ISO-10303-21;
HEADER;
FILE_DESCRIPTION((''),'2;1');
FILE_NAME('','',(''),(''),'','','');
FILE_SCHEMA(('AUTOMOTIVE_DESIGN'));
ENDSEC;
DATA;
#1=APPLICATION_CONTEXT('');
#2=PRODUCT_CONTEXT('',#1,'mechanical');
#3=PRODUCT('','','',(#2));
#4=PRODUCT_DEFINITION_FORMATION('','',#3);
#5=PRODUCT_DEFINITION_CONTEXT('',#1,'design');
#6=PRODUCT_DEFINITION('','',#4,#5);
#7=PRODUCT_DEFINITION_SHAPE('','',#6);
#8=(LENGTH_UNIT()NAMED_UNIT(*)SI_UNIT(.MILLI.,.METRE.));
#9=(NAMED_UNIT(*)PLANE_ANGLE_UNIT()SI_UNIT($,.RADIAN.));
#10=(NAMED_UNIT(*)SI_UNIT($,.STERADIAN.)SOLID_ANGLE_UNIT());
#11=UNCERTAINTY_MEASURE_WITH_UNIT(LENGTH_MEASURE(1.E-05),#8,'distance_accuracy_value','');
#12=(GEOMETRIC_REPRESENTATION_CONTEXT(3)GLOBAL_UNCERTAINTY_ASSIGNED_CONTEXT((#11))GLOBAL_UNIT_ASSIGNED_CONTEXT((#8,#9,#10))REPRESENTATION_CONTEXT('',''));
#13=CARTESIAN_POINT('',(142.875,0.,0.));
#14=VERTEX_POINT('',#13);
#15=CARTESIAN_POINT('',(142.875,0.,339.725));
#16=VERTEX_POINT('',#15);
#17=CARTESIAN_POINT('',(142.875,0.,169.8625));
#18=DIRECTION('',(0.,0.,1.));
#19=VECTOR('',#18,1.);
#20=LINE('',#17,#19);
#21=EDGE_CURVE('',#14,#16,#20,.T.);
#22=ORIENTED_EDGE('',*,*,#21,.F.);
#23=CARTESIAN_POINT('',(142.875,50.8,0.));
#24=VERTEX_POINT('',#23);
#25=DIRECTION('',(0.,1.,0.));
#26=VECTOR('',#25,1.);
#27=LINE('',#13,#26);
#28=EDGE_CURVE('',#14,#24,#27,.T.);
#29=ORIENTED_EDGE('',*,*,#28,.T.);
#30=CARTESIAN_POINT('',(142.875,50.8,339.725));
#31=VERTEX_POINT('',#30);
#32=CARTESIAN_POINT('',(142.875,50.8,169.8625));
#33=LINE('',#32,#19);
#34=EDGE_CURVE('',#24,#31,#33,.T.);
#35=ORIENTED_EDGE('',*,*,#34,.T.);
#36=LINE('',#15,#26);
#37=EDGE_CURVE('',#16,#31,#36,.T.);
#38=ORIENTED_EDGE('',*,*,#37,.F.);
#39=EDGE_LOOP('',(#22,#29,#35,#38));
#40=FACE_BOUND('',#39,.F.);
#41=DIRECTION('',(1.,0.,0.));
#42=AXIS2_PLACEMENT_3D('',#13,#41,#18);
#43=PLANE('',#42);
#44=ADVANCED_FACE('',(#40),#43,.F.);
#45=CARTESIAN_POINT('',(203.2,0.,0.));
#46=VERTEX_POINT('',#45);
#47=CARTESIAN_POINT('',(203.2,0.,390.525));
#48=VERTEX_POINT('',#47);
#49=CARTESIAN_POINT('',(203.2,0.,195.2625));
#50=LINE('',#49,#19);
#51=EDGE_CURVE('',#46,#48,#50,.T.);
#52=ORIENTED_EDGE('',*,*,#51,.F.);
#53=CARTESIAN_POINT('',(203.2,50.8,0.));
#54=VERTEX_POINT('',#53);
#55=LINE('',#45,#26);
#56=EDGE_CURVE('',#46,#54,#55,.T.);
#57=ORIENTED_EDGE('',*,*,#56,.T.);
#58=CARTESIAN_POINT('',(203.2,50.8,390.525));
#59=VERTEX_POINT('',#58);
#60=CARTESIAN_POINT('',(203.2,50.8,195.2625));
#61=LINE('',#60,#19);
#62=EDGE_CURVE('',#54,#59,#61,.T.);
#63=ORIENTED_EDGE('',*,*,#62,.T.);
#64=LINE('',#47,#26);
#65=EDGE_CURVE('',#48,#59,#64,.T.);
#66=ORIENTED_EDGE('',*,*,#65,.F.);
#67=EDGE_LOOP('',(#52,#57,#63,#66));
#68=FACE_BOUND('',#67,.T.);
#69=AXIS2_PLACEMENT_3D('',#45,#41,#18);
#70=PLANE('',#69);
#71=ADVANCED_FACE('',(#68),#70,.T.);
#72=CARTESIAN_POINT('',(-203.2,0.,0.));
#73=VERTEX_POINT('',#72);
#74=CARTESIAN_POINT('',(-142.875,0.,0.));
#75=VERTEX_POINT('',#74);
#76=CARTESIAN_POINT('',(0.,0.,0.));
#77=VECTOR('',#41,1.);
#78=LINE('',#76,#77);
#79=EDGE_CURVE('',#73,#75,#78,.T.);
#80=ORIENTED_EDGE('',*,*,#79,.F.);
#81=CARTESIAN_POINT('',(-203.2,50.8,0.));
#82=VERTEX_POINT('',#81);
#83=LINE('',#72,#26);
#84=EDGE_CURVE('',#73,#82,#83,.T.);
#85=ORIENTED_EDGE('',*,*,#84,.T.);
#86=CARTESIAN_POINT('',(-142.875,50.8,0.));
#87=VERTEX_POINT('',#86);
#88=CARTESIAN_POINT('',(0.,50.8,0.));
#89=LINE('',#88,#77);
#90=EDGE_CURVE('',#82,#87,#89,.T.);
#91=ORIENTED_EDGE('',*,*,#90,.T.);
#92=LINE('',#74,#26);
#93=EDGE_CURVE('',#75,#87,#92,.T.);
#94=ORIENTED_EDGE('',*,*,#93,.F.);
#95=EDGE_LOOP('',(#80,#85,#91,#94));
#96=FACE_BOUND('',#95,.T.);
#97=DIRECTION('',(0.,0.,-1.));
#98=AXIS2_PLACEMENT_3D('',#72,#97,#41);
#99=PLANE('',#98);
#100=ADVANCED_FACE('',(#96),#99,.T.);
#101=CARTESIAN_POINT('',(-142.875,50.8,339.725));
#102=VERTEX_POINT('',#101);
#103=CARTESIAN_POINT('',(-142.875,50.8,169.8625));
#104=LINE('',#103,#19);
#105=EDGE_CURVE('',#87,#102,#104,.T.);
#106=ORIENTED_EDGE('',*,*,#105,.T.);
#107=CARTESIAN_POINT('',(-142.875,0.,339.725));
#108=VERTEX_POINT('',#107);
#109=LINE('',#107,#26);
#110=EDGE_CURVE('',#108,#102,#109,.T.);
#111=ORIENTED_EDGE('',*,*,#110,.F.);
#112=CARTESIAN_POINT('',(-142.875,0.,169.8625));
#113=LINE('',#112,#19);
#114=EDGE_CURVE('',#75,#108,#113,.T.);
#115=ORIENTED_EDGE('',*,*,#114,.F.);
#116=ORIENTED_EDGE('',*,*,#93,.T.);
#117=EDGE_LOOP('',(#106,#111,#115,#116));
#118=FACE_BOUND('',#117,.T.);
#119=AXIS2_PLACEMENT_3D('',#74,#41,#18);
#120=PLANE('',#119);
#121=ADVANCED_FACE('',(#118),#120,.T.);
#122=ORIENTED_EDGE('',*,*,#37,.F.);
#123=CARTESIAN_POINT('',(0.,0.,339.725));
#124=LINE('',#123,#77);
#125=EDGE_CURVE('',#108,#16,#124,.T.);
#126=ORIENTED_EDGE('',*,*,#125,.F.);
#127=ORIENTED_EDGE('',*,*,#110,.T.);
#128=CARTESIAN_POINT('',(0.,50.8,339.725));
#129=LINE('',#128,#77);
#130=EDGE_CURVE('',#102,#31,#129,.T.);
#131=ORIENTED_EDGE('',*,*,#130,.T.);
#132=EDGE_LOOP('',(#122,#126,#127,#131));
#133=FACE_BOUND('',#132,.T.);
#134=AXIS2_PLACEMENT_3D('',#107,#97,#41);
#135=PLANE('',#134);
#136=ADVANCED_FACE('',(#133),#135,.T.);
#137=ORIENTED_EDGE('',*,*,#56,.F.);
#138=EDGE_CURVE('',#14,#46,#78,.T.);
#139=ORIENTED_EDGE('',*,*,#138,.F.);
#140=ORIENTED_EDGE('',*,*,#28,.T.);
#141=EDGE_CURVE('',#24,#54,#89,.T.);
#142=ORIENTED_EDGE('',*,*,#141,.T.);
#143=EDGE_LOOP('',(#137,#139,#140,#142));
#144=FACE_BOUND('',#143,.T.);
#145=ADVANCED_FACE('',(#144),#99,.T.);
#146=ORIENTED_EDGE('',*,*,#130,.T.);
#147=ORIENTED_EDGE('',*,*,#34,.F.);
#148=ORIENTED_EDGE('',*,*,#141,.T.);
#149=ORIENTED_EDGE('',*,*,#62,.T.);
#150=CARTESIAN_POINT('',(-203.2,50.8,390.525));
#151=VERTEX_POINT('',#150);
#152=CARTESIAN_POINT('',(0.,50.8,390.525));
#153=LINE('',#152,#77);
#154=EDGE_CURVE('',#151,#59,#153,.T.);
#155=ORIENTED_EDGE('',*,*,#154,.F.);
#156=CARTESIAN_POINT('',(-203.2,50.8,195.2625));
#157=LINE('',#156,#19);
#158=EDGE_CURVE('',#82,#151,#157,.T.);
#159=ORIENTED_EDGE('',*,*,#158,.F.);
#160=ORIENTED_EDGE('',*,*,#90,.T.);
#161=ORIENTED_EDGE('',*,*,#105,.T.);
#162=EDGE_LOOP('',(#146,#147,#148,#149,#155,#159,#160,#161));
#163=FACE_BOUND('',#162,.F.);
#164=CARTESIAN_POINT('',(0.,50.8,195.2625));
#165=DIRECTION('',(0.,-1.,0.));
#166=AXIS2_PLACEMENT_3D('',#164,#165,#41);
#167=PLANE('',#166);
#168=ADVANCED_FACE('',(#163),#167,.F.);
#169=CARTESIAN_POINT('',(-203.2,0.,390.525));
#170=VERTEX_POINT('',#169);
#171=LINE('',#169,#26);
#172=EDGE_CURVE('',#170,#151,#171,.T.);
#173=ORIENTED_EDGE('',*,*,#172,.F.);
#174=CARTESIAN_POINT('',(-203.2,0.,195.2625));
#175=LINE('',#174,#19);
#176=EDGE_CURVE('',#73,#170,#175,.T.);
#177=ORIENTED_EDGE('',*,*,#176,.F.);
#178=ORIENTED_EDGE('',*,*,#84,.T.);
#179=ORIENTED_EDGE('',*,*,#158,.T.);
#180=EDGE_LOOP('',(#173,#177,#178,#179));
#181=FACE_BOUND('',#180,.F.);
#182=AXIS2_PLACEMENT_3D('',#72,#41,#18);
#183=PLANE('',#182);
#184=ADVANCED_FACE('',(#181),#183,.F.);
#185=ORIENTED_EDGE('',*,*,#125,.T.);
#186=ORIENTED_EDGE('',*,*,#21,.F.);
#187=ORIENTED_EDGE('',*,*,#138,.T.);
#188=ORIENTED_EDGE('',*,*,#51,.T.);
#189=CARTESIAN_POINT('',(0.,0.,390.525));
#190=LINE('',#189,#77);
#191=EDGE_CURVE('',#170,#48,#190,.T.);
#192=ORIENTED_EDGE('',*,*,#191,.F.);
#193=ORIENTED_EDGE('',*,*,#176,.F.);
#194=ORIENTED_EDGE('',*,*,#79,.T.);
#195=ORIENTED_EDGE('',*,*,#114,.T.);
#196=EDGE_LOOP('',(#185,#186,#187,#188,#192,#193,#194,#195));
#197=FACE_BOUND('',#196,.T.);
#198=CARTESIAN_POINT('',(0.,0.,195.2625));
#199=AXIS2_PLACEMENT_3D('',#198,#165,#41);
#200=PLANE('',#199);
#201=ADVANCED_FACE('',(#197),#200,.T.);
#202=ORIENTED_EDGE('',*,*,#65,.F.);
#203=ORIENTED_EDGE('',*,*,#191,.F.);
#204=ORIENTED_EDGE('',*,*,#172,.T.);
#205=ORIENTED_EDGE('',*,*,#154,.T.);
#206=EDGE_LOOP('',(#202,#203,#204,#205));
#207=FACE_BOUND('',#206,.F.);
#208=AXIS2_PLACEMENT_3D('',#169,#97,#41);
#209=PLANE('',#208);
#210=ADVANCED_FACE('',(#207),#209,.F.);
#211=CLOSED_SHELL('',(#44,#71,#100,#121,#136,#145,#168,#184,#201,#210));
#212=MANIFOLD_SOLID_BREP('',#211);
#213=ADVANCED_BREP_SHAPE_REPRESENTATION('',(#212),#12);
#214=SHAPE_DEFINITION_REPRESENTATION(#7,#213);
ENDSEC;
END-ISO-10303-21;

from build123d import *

# Parameters (mm, degrees)
F0_W     = 406.4
F0_H     = 390.525
F1_DEPTH = 50.8
F2_W     = 285.75
F2_H     = 339.725
F3_DEPTH = 50.8


with BuildPart() as f1:
    # F0 (on Front) → F1 (new body)
    with BuildSketch(Plane.XZ):
        with Locations((0, 195.2625)):
            Rectangle(F0_W, F0_H)
    extrude(amount=-F1_DEPTH)

    # F2 (on Front) → F3 (cut, through all)
    with BuildSketch(Plane.XZ):
        with Locations((0, 169.8625)):
            Rectangle(F2_W, F2_H)
    extrude(amount=-F3_DEPTH, mode=Mode.SUBTRACT)


solid = f1.part
